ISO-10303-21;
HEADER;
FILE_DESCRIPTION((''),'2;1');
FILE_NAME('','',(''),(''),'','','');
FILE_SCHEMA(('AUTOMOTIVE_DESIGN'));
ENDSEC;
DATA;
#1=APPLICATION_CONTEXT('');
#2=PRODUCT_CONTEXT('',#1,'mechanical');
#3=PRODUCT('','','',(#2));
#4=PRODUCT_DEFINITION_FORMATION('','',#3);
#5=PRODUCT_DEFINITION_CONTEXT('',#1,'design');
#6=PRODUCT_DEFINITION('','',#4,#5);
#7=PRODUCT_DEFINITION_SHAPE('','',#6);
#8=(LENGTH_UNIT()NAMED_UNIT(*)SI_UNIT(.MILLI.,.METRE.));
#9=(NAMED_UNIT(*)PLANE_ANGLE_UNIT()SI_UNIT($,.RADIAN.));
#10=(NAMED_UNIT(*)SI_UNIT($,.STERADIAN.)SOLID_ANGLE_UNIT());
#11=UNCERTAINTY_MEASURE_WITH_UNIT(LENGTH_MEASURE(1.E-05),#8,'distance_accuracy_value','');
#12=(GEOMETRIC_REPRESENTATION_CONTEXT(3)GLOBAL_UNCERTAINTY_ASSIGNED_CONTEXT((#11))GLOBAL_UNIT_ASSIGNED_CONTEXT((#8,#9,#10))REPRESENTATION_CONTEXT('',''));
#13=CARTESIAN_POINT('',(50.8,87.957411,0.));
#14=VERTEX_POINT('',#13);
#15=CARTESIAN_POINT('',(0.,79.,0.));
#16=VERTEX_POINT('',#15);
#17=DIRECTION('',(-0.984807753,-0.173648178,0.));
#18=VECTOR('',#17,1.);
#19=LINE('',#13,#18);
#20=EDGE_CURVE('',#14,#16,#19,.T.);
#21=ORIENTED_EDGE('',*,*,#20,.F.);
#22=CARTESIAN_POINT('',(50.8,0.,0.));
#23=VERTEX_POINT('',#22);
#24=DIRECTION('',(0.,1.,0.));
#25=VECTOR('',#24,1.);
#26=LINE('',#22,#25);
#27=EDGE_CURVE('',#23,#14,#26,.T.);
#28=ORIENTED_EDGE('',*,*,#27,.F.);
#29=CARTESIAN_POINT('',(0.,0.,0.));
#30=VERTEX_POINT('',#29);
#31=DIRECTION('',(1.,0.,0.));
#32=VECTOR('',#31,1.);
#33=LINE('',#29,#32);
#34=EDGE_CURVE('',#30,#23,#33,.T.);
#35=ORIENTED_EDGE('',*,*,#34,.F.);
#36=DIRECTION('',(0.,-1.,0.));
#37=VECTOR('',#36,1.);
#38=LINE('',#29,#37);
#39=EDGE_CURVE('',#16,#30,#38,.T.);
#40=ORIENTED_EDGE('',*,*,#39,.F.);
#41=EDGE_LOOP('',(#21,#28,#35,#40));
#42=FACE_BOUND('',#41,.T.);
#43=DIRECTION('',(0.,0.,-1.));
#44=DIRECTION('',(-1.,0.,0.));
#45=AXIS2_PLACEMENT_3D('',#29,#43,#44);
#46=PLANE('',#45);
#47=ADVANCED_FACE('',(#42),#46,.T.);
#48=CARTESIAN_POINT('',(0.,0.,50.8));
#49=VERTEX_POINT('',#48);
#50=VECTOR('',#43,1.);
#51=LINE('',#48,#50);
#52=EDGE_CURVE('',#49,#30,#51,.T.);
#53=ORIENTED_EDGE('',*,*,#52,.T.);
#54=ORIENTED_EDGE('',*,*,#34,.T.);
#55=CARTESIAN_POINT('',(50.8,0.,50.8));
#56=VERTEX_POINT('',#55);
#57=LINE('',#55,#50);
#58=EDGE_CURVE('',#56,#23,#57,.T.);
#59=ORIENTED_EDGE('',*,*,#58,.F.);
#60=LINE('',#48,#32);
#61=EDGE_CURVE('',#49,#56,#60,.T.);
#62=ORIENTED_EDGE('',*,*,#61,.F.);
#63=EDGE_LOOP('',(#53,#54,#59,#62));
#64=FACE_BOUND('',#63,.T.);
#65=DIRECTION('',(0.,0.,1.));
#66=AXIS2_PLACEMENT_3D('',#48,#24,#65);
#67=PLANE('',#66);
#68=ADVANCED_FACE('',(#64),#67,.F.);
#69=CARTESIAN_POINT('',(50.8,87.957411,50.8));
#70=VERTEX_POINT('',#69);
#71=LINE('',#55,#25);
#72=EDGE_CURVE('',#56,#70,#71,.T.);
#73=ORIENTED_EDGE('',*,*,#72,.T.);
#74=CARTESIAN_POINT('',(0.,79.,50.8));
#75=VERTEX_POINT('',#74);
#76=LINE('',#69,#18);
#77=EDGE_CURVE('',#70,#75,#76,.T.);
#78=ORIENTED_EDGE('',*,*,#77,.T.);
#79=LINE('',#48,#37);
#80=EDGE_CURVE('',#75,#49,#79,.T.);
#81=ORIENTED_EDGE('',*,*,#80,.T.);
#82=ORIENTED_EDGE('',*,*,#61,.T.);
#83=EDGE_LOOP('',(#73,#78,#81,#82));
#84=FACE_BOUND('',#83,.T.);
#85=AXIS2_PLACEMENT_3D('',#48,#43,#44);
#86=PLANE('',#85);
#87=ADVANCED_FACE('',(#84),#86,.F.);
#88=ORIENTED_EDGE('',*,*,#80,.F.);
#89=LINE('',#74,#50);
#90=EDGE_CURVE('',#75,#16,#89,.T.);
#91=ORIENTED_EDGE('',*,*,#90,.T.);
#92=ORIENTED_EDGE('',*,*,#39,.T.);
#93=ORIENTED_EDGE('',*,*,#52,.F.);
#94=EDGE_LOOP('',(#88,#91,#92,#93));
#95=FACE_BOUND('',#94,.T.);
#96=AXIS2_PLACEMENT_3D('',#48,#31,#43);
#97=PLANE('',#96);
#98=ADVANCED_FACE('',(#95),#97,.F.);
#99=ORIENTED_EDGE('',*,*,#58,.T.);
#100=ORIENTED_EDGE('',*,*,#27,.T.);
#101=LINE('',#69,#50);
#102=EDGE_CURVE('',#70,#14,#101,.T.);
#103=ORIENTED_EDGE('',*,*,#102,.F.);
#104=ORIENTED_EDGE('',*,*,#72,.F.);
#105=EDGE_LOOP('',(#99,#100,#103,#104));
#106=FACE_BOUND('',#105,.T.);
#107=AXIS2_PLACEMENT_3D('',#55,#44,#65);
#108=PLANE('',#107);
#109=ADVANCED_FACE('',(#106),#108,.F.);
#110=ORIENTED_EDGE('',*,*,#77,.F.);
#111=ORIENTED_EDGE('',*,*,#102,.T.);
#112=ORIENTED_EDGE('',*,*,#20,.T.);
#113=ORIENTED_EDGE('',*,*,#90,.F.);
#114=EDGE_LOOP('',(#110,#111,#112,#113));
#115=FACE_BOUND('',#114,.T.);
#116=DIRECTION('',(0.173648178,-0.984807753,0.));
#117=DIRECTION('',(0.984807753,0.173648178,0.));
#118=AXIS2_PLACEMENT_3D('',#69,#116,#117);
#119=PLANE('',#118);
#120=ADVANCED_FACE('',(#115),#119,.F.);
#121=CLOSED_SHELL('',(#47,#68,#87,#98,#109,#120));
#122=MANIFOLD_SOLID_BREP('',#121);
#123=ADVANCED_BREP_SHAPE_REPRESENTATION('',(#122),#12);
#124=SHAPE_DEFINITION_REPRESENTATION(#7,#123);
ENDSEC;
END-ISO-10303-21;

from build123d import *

# Parameters (mm, degrees)
BOSS_EXTRUDE1_DEPTH = 50.8


with BuildPart() as part:
    # Sketch2 → Boss-Extrude1 (new body)
    with BuildSketch(Plane.XY):
        Polygon((50.8, 87.95741062), (0, 79), (0, 0), (50.8, 0), align=None)
    extrude(amount=BOSS_EXTRUDE1_DEPTH)


solid = part.part
